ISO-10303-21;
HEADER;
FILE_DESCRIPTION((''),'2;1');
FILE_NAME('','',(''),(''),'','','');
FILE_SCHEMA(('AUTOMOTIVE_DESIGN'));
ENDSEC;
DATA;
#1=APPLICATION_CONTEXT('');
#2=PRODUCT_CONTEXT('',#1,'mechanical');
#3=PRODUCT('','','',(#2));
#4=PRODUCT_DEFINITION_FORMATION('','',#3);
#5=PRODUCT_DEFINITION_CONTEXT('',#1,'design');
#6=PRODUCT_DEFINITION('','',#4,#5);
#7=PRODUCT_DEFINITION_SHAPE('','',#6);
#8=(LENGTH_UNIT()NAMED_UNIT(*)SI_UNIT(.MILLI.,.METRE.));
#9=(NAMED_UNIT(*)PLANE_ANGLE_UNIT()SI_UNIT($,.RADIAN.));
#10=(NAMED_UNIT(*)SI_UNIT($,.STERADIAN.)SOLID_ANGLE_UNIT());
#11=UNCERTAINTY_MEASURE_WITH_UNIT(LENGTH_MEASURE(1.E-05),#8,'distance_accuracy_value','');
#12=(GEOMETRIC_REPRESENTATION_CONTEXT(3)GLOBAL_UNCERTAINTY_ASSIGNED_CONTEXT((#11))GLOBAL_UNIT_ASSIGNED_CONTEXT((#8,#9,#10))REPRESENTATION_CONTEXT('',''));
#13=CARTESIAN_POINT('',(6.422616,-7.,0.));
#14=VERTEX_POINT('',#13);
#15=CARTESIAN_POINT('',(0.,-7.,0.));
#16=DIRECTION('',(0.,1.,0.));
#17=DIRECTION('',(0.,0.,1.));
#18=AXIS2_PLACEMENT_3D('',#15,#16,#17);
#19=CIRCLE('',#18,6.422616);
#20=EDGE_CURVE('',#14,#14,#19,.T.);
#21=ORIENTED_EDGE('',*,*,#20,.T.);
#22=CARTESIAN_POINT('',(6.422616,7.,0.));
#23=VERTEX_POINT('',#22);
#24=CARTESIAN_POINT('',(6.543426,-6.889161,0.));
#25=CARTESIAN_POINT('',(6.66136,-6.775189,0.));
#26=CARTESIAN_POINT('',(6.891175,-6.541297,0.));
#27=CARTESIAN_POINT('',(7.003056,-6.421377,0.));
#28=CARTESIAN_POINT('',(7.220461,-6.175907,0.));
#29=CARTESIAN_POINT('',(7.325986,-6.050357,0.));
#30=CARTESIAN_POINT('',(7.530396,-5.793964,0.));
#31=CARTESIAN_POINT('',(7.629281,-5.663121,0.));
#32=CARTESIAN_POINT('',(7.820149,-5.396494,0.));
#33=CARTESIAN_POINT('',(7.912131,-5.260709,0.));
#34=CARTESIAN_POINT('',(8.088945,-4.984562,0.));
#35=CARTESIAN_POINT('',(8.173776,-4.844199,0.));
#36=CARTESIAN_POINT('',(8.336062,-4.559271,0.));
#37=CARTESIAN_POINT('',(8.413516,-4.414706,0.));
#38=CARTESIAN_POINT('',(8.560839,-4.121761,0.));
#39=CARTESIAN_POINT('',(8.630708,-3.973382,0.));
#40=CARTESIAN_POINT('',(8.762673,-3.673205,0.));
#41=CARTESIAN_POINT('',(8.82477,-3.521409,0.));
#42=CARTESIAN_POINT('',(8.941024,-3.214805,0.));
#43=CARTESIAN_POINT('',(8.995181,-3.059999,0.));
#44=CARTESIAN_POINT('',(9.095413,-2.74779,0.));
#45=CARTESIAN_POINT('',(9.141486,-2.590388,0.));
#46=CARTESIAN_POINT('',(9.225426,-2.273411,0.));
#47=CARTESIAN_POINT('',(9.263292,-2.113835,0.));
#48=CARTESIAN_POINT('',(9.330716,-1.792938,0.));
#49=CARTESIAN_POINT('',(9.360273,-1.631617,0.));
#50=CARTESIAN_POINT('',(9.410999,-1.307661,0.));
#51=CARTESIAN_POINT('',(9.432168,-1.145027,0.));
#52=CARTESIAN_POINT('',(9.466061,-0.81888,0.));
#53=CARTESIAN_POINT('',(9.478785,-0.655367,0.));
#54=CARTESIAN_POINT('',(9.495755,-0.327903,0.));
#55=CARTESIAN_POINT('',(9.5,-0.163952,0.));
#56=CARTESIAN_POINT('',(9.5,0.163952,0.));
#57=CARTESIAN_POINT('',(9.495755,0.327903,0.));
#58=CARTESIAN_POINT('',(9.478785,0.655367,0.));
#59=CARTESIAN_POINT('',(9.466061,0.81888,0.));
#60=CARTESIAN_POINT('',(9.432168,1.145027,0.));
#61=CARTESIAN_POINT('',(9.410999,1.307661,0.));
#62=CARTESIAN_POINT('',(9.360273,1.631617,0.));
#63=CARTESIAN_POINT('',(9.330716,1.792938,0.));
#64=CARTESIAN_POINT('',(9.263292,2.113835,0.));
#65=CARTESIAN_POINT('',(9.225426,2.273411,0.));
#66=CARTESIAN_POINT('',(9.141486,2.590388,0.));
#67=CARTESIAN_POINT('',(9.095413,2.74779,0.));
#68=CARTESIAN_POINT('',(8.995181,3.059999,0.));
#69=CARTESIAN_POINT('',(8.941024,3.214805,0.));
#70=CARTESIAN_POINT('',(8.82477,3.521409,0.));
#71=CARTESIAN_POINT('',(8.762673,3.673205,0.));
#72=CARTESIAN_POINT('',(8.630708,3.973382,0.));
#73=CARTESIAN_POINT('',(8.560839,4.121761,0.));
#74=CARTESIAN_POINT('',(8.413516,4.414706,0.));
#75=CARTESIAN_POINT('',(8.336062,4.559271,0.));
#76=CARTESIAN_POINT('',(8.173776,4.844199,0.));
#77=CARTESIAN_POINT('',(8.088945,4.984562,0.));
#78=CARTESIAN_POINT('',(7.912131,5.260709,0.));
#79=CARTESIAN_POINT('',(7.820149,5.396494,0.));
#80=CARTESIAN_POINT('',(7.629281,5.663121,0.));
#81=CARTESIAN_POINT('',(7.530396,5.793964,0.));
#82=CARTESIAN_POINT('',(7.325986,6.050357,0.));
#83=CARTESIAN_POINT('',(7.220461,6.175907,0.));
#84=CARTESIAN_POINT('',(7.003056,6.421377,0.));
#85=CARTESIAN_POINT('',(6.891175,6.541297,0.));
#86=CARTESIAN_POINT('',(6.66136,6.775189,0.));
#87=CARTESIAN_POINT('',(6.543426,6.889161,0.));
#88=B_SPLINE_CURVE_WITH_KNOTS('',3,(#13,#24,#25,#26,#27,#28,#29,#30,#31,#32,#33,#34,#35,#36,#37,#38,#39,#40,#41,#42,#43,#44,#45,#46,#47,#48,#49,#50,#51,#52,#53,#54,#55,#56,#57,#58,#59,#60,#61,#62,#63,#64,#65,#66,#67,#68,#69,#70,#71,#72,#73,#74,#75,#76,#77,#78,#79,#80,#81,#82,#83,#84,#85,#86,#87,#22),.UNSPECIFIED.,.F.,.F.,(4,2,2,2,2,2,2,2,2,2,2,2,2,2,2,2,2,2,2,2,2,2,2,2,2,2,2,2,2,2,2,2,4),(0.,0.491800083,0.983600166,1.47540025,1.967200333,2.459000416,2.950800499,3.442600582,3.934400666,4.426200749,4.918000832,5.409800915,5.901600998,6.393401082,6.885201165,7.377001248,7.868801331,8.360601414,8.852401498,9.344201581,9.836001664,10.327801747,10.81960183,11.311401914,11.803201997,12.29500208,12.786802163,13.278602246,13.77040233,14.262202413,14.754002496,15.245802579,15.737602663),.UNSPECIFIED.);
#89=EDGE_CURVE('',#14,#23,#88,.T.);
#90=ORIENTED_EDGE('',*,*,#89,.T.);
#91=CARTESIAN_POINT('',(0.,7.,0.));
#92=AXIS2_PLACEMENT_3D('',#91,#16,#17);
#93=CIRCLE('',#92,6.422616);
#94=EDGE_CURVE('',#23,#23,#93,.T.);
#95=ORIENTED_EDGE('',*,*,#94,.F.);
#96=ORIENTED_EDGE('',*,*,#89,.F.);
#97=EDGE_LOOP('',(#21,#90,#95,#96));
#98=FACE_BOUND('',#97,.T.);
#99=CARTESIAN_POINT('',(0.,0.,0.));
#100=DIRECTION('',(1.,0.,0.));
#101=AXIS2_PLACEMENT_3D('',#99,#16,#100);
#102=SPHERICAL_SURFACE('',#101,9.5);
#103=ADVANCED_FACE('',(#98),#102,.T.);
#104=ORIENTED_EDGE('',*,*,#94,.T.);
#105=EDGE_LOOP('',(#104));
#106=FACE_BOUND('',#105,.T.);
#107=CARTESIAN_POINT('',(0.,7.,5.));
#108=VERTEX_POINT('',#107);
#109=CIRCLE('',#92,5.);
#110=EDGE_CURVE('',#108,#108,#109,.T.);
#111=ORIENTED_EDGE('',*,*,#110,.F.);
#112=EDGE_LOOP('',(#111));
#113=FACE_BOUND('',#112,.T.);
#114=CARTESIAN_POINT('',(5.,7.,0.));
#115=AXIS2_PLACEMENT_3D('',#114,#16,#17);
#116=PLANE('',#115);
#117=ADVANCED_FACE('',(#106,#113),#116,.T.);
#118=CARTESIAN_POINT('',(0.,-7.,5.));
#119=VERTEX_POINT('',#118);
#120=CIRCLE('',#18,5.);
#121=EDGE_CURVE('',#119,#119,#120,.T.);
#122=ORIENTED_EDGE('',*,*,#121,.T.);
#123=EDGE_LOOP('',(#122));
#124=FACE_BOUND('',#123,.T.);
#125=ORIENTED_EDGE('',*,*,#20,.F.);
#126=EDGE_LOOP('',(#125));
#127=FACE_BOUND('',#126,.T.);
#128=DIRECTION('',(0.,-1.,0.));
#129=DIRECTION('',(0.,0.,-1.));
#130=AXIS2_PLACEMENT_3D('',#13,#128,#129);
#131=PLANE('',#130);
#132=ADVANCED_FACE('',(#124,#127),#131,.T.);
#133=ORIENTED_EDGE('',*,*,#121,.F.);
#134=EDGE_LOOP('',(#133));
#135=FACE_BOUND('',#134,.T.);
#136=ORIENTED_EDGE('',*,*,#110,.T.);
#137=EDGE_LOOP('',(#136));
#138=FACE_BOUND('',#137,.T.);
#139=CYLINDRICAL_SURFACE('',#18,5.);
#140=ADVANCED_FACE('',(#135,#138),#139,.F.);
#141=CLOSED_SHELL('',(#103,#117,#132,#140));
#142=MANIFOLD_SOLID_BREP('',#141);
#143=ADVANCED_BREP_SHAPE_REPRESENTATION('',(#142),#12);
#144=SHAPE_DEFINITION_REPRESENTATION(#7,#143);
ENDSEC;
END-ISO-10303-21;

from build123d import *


with BuildPart() as part:
    # Sketch1 → Revolve1 (revolve)
    with BuildSketch(Plane(origin=(0, 0, 0), x_dir=(-1, 0, 0), z_dir=(0, 0, -1))):
        with BuildLine():
            Line((-6.422616289, -7), (-5, -7))
            Line((-5, -7), (-5, 7))
            Line((-5, 7), (-6.422616289, 7))
            ThreePointArc((-6.422616289, 7), (-9.5, 0), (-6.422616289, -7))
        make_face()
    revolve(axis=Axis((0, -7, 0), (0, 1, 0)))


solid = part.part
